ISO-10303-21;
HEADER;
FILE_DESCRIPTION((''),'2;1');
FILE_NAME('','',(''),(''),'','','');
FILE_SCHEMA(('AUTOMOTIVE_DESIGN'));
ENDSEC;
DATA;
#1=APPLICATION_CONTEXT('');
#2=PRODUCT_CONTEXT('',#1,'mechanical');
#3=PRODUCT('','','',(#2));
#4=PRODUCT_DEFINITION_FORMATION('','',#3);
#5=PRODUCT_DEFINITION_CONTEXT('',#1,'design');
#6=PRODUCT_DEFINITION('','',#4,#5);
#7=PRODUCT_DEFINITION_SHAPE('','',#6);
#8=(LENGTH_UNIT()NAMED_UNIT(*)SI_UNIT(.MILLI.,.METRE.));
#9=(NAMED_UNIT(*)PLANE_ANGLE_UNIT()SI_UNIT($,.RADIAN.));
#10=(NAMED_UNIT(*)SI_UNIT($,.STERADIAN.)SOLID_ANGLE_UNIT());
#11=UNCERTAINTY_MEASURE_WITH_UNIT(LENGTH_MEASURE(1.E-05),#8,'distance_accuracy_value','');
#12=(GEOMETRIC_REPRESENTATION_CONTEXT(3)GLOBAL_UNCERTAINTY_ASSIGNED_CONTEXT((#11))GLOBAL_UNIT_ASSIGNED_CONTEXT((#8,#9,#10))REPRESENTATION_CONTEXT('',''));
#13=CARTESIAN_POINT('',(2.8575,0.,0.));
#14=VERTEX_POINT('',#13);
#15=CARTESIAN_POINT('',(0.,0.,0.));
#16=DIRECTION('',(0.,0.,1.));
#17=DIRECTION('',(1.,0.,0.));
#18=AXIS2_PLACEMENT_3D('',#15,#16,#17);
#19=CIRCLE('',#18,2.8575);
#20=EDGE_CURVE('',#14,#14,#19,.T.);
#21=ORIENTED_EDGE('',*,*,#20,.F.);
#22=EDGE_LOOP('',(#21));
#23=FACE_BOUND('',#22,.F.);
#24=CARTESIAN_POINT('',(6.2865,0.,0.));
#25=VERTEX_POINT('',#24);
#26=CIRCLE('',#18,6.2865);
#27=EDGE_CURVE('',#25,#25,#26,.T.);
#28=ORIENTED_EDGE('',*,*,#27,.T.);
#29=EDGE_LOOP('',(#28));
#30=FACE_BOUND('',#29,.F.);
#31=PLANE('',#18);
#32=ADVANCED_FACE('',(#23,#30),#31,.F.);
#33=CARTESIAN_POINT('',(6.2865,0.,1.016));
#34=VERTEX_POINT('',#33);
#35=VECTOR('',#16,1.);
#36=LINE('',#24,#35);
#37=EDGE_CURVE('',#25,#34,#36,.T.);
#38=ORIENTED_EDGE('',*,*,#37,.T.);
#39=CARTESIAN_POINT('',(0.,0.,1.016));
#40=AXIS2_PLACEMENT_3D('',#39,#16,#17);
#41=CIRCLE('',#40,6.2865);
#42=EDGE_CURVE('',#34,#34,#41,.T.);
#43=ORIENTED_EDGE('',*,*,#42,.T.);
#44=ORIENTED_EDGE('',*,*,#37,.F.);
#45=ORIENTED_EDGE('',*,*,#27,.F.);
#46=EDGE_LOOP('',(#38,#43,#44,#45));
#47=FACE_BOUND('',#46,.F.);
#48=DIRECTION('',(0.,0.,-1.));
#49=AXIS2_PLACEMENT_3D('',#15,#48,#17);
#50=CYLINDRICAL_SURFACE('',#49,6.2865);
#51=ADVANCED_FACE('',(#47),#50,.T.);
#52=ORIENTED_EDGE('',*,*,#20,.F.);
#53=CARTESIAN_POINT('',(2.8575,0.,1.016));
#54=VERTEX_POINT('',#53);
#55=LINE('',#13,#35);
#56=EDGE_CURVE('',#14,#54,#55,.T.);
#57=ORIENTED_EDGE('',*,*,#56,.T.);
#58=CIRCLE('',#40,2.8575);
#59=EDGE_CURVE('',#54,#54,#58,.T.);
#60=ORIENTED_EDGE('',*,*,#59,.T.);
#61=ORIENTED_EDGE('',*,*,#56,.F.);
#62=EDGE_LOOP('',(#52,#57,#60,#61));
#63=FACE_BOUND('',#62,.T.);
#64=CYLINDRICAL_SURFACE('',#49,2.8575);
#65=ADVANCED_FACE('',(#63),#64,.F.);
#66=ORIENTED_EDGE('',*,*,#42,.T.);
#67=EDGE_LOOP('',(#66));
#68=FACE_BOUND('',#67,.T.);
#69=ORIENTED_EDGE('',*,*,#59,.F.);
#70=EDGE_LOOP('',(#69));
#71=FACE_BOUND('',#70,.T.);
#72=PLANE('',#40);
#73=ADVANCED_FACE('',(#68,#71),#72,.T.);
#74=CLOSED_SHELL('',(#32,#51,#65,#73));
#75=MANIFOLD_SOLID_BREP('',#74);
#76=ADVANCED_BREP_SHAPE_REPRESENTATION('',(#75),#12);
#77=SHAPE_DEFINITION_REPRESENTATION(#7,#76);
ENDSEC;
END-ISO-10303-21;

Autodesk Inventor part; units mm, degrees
ref_plane "YZ Plane" through (0, 0, 0) normal (1, 0, 0) x (0, 1, 0)
ref_plane "XZ Plane" through (0, 0, 0) normal (0, 1, 0) x (-1, 0, 0)
ref_plane "XY Plane" through (0, 0, 0) normal (0, 0, 1) x (1, 0, 0)
sketch "Sketch1" plane through (0, 0, 0) normal (0, 0, 1) x (1, 0, 0)
  circle A0 centre (0, 0) radius 2.8575
  circle A1 centre (0, 0) radius 6.2865
  dimension "d0" = 3.429
  dimension "d1" = 5.715
extrude "Extrusion1" add sketch "Sketch1" along normal blind 1.016
properties part number "washer"
